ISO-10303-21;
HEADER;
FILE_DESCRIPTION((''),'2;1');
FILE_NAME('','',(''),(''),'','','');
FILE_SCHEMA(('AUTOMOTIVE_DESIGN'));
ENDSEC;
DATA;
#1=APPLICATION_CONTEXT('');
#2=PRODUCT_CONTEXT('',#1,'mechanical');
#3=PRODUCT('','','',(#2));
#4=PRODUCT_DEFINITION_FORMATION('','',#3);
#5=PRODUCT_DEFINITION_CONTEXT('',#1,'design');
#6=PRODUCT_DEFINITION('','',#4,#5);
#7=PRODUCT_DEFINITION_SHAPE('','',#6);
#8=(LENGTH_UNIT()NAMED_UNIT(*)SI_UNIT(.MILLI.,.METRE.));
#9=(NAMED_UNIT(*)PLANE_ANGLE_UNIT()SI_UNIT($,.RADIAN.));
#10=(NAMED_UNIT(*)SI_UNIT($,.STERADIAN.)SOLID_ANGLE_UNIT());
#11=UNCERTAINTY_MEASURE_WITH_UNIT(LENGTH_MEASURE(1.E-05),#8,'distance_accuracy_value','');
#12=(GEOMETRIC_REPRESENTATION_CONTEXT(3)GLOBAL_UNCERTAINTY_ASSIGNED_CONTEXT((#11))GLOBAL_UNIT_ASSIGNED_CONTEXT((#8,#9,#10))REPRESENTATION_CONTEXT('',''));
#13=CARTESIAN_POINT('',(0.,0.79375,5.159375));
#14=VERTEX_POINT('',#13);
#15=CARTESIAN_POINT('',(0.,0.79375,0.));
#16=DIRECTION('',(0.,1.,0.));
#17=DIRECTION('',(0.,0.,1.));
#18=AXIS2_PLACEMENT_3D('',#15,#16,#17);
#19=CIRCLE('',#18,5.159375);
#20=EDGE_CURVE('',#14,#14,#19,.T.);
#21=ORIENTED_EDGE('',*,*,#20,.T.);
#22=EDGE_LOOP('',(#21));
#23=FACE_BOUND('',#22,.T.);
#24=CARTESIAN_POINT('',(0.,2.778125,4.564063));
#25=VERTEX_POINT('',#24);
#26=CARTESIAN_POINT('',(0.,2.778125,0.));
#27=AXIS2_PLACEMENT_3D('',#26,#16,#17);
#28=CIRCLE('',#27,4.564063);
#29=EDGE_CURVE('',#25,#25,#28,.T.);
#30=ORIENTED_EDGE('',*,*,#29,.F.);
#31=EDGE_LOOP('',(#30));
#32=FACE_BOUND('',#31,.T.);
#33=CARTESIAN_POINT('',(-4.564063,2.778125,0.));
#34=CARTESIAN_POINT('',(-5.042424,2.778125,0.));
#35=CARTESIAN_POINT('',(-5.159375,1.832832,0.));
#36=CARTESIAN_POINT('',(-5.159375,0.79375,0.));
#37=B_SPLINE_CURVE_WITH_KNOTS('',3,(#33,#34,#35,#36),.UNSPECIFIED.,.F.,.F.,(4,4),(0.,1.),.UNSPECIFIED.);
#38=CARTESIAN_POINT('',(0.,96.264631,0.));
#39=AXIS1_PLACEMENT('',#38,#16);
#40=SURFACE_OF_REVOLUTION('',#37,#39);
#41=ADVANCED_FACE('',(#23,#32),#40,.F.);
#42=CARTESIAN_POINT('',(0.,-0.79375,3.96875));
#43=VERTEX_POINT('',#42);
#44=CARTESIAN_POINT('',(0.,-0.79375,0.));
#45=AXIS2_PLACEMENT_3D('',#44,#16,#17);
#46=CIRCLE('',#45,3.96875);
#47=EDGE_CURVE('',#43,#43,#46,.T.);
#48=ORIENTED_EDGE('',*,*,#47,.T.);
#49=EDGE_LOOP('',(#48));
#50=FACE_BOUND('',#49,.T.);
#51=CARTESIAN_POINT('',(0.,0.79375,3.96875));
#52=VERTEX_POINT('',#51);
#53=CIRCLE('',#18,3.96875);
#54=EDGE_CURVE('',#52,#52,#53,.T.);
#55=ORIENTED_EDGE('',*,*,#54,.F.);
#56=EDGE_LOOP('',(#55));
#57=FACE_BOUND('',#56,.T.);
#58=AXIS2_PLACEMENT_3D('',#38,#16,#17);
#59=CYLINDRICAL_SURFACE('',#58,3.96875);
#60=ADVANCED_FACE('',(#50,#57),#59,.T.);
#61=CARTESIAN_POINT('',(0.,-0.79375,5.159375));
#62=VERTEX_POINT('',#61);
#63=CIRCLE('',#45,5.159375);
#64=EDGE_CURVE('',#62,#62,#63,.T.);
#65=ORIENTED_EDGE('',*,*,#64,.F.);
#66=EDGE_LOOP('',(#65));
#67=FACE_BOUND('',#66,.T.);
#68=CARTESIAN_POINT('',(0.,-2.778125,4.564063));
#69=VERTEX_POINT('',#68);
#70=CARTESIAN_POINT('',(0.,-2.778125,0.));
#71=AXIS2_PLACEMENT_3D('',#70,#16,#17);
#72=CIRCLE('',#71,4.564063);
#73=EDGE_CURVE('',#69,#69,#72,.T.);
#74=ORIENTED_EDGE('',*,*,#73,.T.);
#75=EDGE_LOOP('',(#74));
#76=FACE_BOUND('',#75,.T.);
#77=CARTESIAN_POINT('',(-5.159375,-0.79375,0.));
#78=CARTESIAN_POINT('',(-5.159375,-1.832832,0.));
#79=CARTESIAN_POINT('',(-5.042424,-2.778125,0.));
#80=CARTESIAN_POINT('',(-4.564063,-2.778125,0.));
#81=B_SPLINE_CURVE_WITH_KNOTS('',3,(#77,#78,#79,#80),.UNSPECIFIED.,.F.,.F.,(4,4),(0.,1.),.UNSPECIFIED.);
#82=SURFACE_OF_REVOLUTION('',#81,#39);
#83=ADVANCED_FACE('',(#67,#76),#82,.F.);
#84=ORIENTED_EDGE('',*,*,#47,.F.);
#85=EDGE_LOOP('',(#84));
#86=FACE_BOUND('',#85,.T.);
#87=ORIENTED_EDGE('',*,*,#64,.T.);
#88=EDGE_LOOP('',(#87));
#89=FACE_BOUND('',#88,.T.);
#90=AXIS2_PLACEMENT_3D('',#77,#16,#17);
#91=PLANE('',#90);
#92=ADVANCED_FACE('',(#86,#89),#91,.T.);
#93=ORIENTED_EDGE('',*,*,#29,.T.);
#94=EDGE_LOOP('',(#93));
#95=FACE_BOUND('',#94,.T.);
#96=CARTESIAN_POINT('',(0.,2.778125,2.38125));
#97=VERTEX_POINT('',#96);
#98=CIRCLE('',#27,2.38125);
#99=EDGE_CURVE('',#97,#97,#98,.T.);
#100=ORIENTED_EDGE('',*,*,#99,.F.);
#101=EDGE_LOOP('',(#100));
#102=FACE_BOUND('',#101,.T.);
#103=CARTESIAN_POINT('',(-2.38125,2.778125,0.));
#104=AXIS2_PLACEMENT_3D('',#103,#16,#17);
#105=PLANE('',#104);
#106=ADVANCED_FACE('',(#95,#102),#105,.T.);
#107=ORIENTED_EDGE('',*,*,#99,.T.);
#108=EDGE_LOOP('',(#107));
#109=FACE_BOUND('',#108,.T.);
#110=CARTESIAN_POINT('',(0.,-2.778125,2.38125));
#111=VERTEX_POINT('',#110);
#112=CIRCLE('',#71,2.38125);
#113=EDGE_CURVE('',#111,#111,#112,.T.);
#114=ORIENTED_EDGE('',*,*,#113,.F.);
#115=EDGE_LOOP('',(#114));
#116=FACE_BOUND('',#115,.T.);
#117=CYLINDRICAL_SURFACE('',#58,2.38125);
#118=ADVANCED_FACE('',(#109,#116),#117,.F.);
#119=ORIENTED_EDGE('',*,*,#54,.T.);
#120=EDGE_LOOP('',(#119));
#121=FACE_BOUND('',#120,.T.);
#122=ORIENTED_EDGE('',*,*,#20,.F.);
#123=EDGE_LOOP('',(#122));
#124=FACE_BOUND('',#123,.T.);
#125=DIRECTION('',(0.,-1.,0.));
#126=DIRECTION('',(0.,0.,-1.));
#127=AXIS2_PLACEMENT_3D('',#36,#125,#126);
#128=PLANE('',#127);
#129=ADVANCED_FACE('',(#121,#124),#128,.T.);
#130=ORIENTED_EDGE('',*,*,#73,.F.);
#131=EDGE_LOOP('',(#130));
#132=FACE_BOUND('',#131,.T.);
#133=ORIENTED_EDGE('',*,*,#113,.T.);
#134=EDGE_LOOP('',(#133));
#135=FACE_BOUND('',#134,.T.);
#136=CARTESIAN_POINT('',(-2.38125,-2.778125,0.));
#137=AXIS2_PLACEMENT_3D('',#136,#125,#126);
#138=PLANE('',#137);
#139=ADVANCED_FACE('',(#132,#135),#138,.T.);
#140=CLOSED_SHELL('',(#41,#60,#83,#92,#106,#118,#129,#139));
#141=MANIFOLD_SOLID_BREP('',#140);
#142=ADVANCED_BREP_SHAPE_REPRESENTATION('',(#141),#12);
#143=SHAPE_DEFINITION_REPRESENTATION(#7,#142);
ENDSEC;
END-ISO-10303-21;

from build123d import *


with BuildPart() as part:
    # Sketch1 → Revolve1 (revolve)
    with BuildSketch(Plane.XY, mode=Mode.PRIVATE) as revolve1_sk:
        with BuildLine():
            Line((-2.38125, 2.778125), (-2.38125, -2.778125))
            Line((-2.38125, -2.778125), (-4.5640625, -2.778125))
            add(Edge.make_bspline(
                [(-4.5640625, -2.778125), (-5.042424348, -2.778125), (-5.159375, -1.832832331), (-5.159375, -0.79375)],
                knots=[0, 0, 0, 0, 1, 1, 1, 1], degree=3))
            Line((-5.159375, -0.79375), (-3.96875, -0.79375))
            Line((-3.96875, -0.79375), (-3.96875, 0.79375))
            Line((-3.96875, 0.79375), (-5.159375, 0.79375))
            add(Edge.make_bspline(
                [(-4.5640625, 2.778125), (-5.042424348, 2.778125), (-5.159375, 1.832832331), (-5.159375, 0.79375)],
                knots=[0, 0, 0, 0, 1, 1, 1, 1], degree=3))
            Line((-4.5640625, 2.778125), (-2.38125, 2.778125))
        make_face()
    revolve(revolve1_sk.sketch.rotate(Axis((0, 96.264631407, 0), (0, -1, 0)), 270), axis=Axis((0, 96.264631407, 0), (0, -1, 0)))


solid = part.part
